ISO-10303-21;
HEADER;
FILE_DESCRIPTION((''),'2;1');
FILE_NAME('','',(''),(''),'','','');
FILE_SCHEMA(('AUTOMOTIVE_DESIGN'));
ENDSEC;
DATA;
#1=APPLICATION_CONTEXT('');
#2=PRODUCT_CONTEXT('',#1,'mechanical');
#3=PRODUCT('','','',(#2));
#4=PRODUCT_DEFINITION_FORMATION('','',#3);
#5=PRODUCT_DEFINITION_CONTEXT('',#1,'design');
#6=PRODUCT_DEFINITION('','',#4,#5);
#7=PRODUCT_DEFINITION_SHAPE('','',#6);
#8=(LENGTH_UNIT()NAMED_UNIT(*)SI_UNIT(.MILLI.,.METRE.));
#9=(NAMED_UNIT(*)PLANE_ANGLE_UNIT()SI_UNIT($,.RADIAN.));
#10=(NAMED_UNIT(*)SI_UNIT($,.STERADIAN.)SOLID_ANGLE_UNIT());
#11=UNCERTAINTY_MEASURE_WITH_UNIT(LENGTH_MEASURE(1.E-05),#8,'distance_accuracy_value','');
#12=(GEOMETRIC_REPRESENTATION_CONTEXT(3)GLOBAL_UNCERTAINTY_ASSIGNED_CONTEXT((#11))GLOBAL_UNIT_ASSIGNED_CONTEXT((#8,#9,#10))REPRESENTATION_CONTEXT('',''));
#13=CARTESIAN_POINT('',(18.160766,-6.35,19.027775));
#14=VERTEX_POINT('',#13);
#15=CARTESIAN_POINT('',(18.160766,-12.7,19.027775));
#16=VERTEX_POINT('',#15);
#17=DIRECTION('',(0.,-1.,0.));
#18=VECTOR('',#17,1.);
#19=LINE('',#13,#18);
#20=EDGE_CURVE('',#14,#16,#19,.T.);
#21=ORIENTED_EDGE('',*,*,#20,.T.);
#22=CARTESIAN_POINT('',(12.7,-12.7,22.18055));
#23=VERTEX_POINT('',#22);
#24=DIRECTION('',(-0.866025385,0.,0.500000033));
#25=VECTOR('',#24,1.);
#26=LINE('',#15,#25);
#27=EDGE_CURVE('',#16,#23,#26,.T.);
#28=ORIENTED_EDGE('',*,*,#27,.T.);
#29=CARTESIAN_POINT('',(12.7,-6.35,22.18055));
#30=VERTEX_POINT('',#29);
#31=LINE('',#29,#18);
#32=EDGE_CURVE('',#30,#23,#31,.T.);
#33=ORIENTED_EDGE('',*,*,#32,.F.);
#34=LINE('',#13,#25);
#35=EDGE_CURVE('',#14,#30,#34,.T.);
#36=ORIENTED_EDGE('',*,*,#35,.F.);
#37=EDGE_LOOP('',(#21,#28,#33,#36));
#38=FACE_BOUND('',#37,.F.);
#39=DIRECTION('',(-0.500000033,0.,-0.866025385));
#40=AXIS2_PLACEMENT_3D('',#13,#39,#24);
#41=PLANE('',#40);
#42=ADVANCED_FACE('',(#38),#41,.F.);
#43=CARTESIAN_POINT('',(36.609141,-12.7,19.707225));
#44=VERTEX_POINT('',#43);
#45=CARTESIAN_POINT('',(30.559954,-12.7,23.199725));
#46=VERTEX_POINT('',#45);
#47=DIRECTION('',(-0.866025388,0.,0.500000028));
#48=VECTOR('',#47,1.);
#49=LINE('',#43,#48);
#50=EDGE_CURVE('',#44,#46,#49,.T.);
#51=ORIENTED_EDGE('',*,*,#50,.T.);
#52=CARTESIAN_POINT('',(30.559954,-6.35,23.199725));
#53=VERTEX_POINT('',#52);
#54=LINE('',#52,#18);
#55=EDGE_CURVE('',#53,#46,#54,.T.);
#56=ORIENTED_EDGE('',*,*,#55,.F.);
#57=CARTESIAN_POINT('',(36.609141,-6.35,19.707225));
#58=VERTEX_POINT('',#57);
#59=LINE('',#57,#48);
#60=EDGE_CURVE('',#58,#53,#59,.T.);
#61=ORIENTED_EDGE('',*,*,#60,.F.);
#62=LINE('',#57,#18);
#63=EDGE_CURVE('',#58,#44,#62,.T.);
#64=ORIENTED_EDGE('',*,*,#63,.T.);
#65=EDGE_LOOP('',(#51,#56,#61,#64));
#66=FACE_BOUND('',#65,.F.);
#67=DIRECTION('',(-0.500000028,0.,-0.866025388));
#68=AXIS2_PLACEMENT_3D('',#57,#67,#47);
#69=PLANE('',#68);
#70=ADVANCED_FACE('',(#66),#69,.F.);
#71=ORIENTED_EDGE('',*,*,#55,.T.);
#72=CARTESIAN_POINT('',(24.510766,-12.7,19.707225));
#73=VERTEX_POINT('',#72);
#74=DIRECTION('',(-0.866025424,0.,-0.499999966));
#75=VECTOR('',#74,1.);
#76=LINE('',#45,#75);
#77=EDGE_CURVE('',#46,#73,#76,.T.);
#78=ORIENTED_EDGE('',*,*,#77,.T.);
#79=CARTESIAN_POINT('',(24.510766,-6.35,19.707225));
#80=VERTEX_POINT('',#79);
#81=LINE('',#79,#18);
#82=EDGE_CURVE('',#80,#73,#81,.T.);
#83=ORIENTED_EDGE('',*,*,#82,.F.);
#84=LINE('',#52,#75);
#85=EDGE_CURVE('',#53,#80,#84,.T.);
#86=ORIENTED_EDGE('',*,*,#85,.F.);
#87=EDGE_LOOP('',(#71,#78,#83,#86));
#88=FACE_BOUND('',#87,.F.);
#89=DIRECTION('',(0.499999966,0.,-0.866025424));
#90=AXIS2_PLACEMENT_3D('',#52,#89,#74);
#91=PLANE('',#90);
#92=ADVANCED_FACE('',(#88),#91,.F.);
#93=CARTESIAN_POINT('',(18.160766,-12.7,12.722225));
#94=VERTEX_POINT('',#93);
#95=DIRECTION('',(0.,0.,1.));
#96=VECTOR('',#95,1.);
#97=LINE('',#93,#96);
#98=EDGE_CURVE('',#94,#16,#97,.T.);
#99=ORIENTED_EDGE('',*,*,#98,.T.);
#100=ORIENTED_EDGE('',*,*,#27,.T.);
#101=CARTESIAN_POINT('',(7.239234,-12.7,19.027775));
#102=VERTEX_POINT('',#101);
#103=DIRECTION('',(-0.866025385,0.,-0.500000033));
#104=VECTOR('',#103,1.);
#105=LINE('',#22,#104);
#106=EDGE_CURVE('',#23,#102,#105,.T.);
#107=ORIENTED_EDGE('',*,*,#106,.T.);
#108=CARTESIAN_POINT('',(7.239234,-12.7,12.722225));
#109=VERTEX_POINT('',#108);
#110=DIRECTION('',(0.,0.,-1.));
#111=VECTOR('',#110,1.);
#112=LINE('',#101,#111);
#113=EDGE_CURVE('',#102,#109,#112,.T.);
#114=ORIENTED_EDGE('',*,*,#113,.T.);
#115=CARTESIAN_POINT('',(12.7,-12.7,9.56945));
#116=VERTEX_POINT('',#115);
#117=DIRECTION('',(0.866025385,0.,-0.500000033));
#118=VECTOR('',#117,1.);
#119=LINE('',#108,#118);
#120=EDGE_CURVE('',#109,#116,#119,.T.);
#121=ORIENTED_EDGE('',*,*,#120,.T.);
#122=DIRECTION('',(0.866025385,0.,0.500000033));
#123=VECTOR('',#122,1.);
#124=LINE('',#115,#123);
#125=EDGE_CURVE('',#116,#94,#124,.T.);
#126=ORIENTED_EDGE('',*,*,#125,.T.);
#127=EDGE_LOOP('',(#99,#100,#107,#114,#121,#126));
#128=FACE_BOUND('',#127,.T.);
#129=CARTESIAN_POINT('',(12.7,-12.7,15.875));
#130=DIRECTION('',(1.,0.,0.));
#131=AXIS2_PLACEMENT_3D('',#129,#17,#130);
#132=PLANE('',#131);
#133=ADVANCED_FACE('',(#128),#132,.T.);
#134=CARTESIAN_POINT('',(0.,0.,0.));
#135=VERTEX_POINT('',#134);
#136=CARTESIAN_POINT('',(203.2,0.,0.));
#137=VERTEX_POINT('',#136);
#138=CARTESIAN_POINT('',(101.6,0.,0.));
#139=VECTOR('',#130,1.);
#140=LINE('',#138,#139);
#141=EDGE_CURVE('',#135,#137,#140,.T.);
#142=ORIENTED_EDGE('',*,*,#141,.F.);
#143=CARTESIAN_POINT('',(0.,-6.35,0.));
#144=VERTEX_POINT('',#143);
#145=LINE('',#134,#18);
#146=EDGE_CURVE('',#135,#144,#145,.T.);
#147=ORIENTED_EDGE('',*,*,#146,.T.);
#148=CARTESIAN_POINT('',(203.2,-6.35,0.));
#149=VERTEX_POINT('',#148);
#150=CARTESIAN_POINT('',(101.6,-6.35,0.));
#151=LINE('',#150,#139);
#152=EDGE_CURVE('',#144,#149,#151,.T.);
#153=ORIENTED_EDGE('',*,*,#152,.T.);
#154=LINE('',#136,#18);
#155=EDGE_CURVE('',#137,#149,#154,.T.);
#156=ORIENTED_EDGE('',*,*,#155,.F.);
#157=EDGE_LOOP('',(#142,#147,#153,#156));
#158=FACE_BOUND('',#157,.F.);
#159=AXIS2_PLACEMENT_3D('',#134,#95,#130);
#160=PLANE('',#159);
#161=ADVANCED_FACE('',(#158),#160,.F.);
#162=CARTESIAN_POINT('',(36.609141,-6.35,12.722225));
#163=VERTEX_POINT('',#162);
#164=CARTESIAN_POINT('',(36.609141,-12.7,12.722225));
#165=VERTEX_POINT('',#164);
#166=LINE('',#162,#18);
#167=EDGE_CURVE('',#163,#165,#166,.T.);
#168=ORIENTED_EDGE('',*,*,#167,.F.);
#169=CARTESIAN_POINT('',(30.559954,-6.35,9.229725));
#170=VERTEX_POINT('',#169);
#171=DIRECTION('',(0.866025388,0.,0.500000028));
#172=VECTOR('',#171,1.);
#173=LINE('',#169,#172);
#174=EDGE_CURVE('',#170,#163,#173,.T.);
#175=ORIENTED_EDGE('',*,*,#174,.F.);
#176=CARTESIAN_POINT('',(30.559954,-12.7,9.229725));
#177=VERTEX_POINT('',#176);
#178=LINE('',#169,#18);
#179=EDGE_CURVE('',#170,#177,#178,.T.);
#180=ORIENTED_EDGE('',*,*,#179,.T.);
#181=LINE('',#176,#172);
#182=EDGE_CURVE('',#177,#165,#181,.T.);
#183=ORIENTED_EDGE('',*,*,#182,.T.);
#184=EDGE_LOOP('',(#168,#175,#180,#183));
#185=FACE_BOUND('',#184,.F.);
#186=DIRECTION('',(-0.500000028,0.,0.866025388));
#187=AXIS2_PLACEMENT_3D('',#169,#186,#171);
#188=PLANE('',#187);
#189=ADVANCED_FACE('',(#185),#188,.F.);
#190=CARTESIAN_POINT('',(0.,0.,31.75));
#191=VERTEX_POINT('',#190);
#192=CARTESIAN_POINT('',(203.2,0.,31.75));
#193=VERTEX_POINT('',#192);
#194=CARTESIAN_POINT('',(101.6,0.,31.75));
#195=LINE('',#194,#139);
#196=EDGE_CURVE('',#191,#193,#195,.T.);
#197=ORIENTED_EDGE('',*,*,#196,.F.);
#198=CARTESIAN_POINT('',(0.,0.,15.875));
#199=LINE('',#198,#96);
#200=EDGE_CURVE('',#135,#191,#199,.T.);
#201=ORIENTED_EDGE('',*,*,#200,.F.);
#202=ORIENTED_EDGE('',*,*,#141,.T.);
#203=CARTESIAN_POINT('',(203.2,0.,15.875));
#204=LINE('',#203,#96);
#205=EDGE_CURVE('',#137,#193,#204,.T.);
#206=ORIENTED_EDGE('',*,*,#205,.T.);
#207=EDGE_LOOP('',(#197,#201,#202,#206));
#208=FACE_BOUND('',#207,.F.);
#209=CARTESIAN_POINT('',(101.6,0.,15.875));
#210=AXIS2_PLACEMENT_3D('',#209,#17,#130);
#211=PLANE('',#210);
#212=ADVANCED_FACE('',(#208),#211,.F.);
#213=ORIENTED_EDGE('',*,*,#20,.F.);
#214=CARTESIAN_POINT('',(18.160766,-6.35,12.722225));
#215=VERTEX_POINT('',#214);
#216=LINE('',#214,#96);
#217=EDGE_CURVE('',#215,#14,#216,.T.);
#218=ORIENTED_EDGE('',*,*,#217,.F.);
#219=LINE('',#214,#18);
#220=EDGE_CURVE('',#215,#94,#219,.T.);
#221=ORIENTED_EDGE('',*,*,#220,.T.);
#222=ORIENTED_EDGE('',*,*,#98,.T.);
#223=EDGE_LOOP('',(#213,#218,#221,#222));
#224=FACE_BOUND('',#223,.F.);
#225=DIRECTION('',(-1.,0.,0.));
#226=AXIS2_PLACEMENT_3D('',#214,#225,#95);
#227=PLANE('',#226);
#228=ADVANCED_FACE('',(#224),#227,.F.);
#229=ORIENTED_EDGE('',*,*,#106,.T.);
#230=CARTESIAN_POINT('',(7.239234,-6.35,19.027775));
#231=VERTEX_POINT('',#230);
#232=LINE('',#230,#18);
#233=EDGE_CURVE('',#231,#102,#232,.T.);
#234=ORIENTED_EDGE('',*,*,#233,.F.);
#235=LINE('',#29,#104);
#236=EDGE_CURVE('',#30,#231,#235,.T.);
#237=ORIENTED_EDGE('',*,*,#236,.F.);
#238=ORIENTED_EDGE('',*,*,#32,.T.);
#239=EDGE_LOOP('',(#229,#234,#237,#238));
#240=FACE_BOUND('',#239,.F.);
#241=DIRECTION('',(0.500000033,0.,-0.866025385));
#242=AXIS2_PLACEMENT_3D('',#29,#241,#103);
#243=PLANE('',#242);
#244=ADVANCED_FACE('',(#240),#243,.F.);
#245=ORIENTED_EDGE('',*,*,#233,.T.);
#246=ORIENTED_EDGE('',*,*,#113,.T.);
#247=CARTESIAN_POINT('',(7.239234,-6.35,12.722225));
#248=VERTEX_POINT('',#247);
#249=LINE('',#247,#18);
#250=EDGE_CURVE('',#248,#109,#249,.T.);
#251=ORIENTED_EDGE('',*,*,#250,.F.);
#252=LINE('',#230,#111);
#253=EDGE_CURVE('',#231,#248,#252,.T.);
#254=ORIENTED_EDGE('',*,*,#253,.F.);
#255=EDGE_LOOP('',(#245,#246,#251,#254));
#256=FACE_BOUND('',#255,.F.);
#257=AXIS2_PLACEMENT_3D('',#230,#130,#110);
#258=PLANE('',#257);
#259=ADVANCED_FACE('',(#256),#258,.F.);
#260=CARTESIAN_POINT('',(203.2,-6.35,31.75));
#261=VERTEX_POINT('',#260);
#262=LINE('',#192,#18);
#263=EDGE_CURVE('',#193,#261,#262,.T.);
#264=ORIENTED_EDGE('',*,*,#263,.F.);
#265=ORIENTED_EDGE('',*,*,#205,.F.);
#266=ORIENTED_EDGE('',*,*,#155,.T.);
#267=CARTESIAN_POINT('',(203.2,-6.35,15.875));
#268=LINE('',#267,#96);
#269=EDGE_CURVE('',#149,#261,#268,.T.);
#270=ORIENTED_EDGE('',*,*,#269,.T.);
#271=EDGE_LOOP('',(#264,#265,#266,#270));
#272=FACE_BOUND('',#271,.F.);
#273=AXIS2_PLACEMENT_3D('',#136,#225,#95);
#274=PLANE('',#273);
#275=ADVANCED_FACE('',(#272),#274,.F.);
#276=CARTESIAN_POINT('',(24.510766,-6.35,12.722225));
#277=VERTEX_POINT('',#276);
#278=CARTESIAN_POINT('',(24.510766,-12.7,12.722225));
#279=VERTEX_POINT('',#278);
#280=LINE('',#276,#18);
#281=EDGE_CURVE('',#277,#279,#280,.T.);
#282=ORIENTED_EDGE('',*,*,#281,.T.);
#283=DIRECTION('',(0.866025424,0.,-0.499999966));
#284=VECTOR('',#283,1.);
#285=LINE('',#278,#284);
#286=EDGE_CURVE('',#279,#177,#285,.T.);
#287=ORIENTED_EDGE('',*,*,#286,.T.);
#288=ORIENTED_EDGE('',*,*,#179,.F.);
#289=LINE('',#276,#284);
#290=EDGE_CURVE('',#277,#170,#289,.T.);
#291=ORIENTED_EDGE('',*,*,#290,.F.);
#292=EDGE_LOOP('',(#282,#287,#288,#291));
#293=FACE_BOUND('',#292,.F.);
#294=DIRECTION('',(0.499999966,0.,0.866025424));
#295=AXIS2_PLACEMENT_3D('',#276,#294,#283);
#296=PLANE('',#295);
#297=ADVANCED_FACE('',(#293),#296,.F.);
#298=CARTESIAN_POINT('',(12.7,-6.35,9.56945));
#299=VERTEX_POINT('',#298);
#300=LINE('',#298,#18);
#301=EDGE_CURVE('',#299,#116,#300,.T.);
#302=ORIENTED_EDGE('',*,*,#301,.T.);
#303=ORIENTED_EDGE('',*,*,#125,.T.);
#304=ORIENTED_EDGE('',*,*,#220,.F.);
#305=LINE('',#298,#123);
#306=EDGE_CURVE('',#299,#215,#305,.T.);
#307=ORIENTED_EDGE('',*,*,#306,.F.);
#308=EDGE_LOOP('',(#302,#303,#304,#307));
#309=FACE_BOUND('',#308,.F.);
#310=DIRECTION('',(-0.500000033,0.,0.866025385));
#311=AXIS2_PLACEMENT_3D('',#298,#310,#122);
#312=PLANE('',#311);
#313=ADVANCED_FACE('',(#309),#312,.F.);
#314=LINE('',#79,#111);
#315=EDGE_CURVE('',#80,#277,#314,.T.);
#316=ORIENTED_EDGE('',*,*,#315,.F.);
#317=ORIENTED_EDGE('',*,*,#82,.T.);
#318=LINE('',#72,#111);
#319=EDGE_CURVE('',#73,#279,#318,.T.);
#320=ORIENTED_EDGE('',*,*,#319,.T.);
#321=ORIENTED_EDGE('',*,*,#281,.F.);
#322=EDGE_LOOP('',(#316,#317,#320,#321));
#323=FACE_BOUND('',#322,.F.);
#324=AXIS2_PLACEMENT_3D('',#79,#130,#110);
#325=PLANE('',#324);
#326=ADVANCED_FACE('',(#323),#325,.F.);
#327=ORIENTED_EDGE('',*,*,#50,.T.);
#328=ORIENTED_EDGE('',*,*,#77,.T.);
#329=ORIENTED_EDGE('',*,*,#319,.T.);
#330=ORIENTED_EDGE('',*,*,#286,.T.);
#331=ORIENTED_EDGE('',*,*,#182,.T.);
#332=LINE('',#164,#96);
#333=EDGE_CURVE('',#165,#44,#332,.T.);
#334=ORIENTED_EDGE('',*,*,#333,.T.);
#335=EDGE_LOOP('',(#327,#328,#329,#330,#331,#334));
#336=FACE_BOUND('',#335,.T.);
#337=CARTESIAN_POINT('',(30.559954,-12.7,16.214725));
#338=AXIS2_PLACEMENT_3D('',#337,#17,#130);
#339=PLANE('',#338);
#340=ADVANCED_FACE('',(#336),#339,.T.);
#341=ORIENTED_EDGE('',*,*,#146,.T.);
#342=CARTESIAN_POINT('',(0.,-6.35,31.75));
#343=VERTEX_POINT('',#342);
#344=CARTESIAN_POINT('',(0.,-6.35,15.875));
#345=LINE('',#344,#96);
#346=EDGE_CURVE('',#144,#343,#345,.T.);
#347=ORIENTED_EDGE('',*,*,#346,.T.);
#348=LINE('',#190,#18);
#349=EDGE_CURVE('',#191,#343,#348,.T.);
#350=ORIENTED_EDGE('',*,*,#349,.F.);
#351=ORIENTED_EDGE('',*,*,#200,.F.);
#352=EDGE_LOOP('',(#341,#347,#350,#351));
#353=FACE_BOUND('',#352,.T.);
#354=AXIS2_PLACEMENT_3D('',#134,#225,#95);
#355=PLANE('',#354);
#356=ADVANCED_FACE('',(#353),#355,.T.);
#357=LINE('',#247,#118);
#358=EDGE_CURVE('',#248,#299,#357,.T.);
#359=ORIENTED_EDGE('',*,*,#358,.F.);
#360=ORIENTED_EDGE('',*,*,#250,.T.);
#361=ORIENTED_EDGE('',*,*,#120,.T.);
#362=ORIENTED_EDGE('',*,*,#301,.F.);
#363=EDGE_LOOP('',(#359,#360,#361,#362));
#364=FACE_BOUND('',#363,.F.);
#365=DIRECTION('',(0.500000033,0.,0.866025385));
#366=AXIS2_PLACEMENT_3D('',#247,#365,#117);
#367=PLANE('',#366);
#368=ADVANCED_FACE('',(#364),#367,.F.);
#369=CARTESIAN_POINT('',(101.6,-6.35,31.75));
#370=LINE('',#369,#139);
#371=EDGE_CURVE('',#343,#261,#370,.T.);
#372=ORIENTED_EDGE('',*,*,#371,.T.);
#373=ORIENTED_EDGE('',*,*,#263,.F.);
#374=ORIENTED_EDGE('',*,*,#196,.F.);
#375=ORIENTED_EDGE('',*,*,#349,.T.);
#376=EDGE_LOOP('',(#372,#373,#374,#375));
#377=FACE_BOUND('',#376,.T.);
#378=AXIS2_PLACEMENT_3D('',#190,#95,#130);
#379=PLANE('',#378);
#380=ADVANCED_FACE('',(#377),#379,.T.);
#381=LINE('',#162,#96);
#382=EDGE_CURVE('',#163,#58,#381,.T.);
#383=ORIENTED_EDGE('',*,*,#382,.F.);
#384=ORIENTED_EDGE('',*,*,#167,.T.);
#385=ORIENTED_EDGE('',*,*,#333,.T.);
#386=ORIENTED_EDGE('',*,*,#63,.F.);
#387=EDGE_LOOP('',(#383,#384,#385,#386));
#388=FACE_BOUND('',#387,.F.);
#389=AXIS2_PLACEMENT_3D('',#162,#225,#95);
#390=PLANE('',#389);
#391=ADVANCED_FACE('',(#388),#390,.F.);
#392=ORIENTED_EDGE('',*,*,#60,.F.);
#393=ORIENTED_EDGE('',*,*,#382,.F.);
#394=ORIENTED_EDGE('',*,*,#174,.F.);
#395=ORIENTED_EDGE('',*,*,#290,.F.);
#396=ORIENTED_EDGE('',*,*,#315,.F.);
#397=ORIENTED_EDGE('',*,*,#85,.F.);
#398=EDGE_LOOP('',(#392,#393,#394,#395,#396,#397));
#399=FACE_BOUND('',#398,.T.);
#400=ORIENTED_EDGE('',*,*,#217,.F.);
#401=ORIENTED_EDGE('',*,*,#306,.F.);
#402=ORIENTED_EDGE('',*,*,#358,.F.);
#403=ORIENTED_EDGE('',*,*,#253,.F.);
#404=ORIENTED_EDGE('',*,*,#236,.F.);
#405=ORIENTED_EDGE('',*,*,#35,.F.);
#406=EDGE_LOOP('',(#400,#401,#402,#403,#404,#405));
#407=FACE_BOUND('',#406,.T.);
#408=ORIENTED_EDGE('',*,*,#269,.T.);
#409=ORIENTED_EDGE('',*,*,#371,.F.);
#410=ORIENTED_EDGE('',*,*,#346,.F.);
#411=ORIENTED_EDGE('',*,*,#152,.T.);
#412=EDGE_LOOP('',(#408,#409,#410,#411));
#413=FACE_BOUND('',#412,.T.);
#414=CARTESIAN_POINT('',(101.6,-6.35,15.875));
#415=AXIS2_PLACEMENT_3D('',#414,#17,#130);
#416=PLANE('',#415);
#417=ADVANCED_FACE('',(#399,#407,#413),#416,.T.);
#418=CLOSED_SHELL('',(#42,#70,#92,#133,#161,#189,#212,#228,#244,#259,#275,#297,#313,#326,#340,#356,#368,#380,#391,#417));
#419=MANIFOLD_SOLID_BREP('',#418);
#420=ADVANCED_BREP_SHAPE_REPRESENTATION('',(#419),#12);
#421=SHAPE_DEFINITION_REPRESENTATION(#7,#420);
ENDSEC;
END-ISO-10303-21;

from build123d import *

# Parameters (mm, degrees)
F0_W     = 203.2
F0_H     = 31.75
F1_DEPTH = 6.35
F3_DEPTH = 6.35
F5_DEPTH = 6.35


with BuildPart() as f1:
    # F0 (on Front) → F1 (new body)
    with BuildSketch(Plane.XZ):
        with Locations((101.6, 15.875)):
            Rectangle(F0_W, F0_H)
    extrude(amount=F1_DEPTH)

    # F2 (on face) → F3 (join)
    with BuildSketch(Plane.XZ.offset(6.35)):
        Polygon((18.160766, 12.722225), (18.160766, 19.027775), (12.7, 22.18055), (7.239234, 19.027775), (7.239234, 12.722225), (12.7, 9.56945), align=None)
    extrude(amount=F3_DEPTH)

    # F4 (on face) → F5 (join)
    with BuildSketch(Plane.XZ.offset(6.35)):
        Polygon((36.609141, 12.722225), (36.609141, 19.707225), (30.559954, 23.199725), (24.510766, 19.707225), (24.510766, 12.722225), (30.559954, 9.229725), align=None)
    extrude(amount=F5_DEPTH)


solid = f1.part
